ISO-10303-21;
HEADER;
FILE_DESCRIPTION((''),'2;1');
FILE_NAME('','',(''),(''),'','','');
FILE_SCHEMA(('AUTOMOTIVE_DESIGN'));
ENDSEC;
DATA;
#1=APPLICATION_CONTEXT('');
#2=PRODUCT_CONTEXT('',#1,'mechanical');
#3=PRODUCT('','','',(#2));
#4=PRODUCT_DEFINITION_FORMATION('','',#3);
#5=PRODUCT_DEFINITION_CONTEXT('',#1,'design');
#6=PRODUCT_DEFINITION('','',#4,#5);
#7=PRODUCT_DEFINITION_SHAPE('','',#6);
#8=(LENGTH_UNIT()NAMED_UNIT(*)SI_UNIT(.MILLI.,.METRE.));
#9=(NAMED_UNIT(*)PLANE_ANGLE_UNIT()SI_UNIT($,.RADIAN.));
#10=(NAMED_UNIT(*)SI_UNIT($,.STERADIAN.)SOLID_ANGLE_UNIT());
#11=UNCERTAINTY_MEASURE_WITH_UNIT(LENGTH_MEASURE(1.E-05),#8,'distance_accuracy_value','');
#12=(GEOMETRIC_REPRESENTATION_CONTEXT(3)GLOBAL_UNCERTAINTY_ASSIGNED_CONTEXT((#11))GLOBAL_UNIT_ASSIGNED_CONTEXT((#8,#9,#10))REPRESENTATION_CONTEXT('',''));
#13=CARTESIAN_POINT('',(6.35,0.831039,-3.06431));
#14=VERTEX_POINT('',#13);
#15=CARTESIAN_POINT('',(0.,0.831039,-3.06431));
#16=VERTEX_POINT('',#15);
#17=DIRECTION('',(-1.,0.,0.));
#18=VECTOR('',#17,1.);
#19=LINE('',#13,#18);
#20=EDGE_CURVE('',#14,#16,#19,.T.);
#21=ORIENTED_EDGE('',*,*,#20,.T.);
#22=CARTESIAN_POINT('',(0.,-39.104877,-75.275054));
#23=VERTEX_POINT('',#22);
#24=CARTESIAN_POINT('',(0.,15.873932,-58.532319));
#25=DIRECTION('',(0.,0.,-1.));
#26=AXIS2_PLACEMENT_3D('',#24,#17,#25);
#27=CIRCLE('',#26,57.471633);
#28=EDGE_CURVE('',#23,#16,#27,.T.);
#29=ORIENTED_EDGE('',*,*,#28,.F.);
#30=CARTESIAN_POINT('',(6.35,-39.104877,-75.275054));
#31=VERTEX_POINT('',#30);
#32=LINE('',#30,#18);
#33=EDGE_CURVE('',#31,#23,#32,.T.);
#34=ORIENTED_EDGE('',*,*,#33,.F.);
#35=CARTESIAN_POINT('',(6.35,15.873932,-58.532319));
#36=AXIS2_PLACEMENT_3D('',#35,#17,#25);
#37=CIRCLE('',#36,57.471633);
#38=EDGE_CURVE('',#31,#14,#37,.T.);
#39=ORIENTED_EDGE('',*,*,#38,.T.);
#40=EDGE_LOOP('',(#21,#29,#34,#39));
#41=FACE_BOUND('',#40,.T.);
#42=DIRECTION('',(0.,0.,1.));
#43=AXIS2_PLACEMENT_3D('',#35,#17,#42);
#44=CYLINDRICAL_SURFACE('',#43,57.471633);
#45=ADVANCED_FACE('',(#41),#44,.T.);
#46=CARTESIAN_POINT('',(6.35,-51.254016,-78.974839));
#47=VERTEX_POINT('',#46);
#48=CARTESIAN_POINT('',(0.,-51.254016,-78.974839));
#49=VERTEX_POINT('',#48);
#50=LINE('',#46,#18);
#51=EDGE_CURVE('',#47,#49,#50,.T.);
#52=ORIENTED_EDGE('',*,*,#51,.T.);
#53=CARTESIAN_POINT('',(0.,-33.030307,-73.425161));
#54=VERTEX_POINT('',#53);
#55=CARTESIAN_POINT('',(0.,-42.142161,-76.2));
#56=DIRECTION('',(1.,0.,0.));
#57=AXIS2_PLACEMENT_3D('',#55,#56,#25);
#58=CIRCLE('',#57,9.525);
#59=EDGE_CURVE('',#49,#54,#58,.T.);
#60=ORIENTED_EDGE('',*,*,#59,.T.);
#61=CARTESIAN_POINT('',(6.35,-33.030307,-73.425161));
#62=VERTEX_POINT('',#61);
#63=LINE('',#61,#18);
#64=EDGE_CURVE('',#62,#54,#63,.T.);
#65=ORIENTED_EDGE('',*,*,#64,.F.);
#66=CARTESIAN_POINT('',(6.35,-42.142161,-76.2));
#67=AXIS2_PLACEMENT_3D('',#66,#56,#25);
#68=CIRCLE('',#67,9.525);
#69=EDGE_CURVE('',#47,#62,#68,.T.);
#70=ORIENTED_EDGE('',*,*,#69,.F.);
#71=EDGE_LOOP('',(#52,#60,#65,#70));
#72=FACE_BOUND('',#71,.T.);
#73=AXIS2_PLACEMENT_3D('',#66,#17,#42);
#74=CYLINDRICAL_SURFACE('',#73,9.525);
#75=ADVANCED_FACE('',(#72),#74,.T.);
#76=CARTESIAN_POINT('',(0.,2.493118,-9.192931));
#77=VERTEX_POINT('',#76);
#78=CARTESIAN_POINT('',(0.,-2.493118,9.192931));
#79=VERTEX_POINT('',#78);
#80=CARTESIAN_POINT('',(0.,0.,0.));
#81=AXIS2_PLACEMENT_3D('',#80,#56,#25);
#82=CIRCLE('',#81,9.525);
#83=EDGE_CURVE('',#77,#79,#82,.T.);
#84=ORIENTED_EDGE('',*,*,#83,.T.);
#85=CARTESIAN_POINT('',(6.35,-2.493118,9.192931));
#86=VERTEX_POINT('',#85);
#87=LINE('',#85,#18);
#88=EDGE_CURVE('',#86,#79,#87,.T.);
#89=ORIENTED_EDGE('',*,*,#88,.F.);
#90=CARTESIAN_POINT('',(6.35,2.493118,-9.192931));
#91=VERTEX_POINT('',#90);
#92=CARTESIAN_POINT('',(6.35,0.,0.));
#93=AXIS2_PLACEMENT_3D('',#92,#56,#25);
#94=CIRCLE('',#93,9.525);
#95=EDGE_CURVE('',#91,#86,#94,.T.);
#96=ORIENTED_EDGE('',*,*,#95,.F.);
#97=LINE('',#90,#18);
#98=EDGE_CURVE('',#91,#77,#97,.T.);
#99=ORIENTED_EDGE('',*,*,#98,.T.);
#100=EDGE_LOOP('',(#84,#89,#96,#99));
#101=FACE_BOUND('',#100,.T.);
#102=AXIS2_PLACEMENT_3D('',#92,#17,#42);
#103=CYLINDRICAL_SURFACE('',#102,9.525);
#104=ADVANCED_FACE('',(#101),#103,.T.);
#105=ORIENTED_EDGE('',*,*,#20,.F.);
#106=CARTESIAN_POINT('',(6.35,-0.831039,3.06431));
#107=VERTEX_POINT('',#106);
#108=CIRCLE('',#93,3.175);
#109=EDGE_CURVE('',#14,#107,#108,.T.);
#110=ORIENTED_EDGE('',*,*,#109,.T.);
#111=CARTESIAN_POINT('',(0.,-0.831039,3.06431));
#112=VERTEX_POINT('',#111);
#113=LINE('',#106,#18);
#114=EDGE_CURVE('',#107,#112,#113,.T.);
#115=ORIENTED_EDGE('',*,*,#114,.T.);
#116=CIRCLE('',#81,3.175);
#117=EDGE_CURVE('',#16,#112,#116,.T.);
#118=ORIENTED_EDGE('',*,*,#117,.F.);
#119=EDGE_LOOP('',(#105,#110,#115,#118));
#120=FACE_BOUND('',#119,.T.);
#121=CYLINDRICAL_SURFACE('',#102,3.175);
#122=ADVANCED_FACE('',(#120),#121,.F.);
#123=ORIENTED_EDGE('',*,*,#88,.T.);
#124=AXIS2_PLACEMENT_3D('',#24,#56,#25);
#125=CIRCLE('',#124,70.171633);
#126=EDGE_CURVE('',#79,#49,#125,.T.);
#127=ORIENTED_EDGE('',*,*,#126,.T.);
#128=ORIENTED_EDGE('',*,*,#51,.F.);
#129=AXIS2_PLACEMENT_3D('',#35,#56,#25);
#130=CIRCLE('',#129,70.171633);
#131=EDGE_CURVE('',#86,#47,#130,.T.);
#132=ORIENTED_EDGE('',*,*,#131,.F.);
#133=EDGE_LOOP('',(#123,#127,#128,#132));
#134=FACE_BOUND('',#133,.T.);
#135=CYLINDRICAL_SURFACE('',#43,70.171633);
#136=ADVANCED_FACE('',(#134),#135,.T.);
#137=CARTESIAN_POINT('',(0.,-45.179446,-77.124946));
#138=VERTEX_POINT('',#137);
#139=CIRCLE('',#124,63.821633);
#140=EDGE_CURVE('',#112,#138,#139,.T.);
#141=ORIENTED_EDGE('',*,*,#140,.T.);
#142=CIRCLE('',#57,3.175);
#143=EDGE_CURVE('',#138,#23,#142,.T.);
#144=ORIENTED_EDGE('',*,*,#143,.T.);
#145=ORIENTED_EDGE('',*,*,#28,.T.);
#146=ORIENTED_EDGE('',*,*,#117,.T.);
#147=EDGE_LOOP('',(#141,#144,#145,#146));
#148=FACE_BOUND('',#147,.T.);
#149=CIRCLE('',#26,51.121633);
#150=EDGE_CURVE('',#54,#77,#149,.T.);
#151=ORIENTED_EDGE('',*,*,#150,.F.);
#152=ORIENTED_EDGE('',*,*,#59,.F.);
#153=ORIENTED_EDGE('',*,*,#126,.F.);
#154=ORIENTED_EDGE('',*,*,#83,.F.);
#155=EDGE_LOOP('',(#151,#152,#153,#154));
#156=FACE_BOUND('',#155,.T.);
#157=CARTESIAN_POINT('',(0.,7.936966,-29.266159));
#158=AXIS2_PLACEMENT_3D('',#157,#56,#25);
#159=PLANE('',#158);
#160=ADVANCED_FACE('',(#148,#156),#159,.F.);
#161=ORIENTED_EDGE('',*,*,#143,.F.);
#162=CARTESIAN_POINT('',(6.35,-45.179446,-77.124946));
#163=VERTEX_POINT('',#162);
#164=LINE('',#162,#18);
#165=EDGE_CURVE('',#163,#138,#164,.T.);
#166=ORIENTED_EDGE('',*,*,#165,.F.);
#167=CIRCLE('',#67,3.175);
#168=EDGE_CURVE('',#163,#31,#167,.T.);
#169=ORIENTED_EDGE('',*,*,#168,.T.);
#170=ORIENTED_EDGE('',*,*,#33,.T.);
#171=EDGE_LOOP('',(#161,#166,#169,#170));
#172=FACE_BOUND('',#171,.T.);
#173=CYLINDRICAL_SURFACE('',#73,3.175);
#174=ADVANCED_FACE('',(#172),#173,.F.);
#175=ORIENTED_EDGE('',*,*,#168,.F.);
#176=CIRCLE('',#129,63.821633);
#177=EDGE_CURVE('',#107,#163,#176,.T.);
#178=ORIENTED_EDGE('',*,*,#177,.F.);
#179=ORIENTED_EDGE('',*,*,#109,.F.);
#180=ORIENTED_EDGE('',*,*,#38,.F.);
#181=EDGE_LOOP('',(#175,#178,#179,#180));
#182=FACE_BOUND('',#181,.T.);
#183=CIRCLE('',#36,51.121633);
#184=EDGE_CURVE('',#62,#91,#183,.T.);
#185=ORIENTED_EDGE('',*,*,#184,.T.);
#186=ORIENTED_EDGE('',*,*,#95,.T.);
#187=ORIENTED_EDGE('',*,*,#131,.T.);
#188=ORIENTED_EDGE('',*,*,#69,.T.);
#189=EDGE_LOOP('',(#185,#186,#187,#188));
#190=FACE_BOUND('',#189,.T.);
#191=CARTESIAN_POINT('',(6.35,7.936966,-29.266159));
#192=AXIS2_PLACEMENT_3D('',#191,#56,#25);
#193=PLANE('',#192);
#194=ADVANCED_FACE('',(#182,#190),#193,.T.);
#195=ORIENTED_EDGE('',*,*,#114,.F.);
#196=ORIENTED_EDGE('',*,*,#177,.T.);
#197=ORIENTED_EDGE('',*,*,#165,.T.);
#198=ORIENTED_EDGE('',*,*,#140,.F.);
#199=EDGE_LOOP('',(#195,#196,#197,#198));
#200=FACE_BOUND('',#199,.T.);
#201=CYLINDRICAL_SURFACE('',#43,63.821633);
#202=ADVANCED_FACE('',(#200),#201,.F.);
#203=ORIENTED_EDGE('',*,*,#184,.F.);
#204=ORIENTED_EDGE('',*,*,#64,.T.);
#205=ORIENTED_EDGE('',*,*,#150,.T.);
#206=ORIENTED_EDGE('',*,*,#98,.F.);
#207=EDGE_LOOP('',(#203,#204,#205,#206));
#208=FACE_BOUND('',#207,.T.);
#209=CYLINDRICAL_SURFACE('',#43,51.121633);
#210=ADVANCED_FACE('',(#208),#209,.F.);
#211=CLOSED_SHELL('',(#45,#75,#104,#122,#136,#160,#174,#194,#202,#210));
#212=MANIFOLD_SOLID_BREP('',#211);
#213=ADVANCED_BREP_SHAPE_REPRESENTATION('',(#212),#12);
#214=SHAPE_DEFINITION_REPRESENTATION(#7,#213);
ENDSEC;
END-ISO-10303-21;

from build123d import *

# Parameters (mm, degrees)
BOSS_EXTRUDE1_DEPTH = 6.35


with BuildPart() as part:
    # Sketch2 → Boss-Extrude1 (new body)
    with BuildSketch(Plane(origin=(0, 0, 0), x_dir=(0, 0, -1), z_dir=(1, 0, 0))):
        with BuildLine():
            ThreePointArc((-9.192931445, -2.493117818), (24.571747116, -45.532400085), (78.974839391, -51.254015886))
            ThreePointArc((78.974839391, -51.254015886), (85.311854441, -39.367322054), (73.425160609, -33.030307004))
            ThreePointArc((73.425160609, -33.030307004), (33.791268801, -28.861979578), (9.192931445, 2.493117818))
            ThreePointArc((9.192931445, 2.493117818), (-2.493117818, 9.192931445), (-9.192931445, -2.493117818))
        make_face()
        with BuildLine():
            ThreePointArc((-3.064310482, -0.831039273), (27.644921011, -39.975593249), (77.124946464, -45.179446258))
            ThreePointArc((77.124946464, -45.179446258), (79.237284814, -41.217214981), (75.275053536, -39.104876631))
            ThreePointArc((75.275053536, -39.104876631), (30.718094906, -34.418786414), (3.064310482, 0.831039273))
            ThreePointArc((3.064310482, 0.831039273), (-0.831039273, 3.064310482), (-3.064310482, -0.831039273))
        make_face(mode=Mode.SUBTRACT)
    extrude(amount=BOSS_EXTRUDE1_DEPTH)


solid = part.part
